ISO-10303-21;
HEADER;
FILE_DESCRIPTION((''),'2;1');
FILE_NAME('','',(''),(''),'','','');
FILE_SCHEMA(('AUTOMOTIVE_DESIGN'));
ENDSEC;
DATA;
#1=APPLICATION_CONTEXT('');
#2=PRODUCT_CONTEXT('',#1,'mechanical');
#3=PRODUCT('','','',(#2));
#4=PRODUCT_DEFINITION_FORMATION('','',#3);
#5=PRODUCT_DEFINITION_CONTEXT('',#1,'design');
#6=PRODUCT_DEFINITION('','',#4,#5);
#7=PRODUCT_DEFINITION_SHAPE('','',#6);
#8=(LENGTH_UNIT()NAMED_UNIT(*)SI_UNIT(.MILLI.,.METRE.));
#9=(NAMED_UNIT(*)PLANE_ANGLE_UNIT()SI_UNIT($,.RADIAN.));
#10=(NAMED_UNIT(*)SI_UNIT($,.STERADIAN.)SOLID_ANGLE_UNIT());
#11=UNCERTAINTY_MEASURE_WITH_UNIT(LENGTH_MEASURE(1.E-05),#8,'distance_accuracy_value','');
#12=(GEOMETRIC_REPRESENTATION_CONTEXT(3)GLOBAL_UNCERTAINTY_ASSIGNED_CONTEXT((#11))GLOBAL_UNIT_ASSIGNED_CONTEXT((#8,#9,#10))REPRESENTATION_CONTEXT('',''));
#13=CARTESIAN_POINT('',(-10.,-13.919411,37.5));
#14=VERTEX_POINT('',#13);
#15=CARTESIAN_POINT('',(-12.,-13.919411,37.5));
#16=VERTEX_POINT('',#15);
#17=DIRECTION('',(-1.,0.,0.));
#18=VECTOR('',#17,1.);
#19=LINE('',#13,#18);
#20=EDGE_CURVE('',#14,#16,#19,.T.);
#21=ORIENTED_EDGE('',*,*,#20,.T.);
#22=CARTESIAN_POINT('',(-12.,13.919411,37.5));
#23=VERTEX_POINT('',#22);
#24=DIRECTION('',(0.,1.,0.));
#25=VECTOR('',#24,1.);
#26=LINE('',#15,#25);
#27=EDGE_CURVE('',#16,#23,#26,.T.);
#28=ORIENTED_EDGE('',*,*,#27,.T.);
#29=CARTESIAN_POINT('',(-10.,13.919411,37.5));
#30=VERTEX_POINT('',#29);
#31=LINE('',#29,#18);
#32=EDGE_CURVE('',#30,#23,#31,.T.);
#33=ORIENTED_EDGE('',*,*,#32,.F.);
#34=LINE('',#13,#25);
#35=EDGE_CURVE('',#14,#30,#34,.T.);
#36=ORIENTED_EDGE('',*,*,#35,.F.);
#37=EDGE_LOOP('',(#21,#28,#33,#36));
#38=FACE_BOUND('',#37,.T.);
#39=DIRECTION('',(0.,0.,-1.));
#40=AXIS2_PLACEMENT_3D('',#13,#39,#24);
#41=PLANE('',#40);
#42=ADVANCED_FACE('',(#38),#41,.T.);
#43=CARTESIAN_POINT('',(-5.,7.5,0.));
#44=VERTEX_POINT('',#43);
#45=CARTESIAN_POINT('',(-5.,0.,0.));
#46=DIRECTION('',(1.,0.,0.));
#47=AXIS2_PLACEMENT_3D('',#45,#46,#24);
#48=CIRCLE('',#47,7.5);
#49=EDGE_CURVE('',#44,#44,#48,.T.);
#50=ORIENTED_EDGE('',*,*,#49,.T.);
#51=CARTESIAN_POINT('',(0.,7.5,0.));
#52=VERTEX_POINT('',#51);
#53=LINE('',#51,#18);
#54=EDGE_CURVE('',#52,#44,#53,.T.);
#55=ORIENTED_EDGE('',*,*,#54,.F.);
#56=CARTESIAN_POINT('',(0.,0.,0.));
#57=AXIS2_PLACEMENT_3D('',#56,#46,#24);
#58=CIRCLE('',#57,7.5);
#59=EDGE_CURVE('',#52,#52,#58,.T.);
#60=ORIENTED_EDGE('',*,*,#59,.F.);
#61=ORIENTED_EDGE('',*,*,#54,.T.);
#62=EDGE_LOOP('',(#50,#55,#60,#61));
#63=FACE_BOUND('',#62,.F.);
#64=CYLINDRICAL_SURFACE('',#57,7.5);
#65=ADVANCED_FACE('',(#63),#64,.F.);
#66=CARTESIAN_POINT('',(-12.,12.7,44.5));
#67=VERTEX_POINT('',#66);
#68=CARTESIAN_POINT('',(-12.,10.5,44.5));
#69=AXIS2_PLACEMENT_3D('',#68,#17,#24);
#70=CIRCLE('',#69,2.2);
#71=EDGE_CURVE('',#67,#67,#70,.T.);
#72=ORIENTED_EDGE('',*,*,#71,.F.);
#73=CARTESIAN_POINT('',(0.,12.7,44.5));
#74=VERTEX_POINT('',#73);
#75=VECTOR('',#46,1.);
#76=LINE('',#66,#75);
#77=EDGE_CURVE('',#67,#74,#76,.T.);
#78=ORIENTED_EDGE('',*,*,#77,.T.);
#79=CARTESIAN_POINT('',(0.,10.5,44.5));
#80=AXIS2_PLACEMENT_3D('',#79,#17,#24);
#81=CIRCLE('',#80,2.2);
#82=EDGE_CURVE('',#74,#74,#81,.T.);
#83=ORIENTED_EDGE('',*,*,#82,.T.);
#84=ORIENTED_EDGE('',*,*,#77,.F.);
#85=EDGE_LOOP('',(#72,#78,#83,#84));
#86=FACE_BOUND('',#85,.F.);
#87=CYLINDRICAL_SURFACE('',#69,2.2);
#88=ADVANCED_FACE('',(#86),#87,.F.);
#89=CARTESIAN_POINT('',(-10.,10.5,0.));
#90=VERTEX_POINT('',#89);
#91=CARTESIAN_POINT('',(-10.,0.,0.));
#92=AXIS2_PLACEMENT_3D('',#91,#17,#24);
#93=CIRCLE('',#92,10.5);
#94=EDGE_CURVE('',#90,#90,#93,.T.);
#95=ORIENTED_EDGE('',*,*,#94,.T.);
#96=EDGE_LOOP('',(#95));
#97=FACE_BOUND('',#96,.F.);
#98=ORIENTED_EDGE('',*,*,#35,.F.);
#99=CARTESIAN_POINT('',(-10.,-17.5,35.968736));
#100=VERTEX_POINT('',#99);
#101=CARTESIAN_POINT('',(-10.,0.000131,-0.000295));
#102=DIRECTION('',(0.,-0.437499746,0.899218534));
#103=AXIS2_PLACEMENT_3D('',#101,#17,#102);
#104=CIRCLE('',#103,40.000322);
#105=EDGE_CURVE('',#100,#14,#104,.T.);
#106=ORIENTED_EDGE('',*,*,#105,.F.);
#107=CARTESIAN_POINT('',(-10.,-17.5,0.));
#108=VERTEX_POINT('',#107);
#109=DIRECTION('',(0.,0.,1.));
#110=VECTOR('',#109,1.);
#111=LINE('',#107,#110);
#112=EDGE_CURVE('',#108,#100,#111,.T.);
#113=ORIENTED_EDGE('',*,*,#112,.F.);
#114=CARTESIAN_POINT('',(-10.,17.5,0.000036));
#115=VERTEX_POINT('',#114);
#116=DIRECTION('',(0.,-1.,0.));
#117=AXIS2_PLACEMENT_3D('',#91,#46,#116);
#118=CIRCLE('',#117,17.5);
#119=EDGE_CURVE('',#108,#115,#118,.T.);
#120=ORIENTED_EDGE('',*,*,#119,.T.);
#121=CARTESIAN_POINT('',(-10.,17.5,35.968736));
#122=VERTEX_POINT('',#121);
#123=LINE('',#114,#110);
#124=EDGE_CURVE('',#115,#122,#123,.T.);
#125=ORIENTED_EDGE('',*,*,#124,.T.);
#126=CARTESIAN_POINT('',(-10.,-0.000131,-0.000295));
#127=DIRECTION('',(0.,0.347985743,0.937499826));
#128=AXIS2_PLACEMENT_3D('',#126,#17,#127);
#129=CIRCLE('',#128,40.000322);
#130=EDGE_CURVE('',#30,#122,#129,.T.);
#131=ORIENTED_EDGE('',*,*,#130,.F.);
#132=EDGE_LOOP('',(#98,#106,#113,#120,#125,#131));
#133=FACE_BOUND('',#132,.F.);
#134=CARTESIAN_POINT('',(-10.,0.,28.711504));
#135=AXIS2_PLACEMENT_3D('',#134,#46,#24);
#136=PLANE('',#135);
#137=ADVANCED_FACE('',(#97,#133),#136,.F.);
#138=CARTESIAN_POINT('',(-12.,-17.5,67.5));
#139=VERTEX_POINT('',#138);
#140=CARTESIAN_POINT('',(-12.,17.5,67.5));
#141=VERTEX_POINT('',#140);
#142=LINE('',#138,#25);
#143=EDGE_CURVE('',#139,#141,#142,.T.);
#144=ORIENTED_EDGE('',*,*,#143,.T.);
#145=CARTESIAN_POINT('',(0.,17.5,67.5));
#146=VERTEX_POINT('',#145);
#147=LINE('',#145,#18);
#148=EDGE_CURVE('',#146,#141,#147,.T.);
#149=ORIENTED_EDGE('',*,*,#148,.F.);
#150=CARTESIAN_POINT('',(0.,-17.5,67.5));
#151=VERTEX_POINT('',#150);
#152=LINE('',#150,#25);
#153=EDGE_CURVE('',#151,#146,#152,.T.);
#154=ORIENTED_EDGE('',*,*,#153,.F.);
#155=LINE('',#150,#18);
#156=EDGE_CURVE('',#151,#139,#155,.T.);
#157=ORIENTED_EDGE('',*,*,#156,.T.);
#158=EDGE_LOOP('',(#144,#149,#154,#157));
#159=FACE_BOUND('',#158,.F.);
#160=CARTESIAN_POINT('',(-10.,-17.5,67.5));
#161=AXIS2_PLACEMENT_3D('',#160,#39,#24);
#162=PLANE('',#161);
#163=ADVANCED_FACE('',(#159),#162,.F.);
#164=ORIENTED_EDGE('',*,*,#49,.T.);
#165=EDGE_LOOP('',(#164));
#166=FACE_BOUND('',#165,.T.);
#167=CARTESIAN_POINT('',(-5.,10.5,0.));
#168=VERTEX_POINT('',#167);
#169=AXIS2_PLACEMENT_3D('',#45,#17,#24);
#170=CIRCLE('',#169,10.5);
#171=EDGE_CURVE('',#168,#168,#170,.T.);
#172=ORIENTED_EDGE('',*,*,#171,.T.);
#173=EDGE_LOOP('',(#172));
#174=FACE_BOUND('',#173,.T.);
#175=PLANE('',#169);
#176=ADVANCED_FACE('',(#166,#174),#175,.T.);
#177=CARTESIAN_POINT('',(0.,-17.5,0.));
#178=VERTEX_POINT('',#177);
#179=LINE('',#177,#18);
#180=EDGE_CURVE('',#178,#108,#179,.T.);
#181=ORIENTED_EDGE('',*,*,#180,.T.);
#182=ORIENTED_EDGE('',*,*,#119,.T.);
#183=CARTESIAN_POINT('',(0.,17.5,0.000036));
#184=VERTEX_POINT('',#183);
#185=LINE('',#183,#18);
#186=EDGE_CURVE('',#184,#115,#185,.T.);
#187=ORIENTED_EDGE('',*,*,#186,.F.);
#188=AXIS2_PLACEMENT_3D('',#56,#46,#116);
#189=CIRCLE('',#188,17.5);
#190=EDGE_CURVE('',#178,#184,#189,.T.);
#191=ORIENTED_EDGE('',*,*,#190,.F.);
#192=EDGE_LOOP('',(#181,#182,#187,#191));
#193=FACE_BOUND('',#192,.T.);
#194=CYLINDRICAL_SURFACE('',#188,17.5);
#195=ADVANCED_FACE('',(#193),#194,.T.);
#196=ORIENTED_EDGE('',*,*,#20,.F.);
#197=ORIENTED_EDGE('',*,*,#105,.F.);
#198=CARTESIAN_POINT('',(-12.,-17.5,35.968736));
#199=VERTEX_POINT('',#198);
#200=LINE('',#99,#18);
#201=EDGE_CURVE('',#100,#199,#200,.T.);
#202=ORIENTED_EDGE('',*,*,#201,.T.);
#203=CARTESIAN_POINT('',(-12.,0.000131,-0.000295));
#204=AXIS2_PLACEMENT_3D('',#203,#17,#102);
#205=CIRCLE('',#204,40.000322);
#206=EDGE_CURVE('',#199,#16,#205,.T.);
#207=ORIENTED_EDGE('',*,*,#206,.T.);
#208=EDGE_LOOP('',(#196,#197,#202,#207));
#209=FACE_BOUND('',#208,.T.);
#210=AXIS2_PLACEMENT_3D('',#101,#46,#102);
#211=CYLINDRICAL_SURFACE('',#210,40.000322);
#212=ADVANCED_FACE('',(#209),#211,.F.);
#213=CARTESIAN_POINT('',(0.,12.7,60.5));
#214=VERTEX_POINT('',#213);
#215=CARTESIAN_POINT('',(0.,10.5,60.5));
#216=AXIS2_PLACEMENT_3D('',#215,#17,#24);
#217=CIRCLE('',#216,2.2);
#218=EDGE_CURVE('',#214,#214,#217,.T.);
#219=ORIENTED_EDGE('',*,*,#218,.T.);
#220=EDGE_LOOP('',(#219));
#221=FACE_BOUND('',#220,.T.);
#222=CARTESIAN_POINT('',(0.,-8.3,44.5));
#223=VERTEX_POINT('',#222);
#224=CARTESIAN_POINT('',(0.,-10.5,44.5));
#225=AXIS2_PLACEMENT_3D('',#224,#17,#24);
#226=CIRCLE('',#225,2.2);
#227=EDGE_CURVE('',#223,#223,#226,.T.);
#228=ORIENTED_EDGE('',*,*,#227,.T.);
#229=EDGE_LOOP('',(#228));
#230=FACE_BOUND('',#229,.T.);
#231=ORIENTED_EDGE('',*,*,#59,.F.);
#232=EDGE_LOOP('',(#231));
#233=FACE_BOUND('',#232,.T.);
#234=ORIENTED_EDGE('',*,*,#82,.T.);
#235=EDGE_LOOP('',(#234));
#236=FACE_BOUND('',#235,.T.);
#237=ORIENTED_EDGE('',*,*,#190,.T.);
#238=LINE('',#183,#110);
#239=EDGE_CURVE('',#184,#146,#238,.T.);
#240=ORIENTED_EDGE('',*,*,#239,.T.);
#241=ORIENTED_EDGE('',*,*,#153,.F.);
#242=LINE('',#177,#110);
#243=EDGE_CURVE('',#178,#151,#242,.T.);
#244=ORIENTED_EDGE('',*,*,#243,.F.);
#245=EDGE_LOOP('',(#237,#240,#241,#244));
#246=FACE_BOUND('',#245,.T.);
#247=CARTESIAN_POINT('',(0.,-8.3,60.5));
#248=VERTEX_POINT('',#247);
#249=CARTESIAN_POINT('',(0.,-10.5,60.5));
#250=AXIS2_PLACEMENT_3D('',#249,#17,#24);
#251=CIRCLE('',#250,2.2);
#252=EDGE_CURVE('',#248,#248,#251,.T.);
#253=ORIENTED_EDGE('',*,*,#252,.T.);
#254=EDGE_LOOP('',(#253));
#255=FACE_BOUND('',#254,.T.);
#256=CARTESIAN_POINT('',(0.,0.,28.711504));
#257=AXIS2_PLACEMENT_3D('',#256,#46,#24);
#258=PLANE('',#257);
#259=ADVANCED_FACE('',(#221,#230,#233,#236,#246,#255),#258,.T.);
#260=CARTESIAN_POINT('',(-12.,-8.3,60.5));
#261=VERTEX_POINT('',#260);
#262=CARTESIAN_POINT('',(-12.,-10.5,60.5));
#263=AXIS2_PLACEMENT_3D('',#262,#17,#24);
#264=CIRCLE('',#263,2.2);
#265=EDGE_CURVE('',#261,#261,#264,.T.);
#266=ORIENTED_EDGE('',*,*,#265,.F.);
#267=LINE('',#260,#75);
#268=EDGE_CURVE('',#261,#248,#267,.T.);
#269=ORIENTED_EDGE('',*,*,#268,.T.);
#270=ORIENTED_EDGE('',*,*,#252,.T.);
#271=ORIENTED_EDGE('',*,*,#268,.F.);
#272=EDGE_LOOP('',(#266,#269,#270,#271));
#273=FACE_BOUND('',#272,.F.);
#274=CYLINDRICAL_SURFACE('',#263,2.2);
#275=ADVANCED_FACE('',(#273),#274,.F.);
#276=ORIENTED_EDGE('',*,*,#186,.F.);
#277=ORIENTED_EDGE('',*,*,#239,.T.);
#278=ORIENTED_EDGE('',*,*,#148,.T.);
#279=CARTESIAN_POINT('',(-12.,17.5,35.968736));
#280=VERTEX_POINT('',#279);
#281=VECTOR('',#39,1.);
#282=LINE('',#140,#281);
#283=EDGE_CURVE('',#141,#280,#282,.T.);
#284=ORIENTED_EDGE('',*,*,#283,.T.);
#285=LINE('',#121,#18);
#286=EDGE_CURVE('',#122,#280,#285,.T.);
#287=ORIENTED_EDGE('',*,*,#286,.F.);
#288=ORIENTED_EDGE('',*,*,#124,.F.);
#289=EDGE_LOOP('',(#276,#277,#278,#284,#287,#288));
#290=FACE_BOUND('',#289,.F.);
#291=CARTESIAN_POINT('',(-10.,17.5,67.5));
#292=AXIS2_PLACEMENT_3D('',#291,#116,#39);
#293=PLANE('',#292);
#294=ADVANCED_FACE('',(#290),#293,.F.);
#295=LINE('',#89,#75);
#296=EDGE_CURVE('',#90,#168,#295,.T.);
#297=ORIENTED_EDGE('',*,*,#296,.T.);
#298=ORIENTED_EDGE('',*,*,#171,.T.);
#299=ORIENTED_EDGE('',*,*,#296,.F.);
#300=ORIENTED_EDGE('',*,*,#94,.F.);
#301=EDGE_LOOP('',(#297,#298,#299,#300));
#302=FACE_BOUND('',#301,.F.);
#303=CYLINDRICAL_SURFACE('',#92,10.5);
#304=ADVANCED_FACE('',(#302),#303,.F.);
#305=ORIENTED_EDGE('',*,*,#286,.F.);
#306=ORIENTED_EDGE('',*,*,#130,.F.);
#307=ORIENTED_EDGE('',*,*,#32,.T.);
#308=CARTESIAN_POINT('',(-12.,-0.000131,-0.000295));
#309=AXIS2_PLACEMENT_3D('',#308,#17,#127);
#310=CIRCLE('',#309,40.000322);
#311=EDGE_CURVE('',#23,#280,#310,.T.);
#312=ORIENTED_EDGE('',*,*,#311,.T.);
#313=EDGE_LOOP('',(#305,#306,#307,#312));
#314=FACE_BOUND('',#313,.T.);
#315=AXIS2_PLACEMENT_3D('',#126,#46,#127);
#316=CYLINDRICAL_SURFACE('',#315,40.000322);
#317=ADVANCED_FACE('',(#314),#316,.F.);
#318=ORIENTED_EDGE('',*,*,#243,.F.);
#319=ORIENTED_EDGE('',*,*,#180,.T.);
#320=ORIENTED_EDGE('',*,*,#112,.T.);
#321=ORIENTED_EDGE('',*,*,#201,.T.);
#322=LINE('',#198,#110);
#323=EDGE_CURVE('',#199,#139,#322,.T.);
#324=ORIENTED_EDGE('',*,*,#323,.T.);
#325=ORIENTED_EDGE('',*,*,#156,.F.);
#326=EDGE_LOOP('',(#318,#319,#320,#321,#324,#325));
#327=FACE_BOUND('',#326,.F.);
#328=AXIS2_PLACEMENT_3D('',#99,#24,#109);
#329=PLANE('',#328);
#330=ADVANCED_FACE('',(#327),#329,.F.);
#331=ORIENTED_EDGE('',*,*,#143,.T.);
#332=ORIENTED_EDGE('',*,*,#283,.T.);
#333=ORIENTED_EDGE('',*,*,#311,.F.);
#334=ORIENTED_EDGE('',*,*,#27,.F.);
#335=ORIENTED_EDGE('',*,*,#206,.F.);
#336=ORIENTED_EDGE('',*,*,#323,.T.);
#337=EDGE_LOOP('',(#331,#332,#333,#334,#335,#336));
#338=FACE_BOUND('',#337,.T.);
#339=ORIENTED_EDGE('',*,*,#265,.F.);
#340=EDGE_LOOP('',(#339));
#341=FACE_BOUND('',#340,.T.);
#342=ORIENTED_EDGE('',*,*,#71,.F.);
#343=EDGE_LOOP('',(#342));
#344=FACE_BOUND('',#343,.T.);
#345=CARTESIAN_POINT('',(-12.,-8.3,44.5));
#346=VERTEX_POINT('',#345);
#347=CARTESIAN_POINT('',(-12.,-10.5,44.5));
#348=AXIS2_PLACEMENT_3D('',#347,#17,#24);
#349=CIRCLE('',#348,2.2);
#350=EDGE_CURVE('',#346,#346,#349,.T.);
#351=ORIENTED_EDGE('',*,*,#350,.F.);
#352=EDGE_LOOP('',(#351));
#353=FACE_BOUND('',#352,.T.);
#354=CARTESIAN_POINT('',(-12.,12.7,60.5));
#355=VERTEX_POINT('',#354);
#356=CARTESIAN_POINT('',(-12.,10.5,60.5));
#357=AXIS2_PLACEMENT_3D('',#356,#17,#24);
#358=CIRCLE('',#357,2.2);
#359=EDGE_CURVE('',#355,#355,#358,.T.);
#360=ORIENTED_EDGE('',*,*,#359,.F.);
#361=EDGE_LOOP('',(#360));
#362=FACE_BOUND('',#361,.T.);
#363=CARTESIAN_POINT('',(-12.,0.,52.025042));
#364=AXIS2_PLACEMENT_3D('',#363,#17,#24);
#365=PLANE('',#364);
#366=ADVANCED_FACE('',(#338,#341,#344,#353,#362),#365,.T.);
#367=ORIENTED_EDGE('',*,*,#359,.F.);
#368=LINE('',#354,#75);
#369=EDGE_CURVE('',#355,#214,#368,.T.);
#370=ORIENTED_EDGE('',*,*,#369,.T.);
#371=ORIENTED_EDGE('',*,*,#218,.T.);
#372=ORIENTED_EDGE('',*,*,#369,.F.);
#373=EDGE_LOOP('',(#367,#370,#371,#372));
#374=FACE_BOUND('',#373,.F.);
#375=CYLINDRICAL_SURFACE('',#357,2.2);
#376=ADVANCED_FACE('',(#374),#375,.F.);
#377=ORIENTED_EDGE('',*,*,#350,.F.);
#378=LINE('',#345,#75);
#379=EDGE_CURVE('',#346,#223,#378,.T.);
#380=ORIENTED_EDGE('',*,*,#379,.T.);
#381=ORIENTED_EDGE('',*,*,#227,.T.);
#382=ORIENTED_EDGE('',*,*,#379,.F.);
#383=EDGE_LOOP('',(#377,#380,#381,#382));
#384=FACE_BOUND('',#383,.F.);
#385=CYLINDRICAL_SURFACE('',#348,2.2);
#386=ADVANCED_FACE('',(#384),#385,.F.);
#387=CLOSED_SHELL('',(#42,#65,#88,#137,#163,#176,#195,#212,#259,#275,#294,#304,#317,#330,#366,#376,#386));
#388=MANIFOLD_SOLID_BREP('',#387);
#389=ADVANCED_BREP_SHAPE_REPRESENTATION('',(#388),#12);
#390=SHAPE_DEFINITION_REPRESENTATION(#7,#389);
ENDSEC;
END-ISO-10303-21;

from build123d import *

# Parameters (mm, degrees)
PAD_DEPTH     = 10
SKETCH001_R   = 7.5
HOLE_DEPTH    = 10.001
SKETCH003_R   = 10.5
HOLE002_DEPTH = 5
PAD001_DEPTH  = 2
SKETCH005_R   = 2.2
HOLE003_DEPTH = 12.001


with BuildPart() as part:
    # Sketch → Pad (new body)
    with BuildSketch(Plane.YZ):
        with BuildLine():
            ThreePointArc((-17.5, 0), (1.8e-05, -17.5), (17.5, 3.6e-05))
            Line((17.5, 3.6e-05), (17.5, 67.5))
            Line((-17.5, 67.5), (17.5, 67.5))
            Line((-17.5, 0), (-17.5, 67.5))
        make_face()
    extrude(amount=-PAD_DEPTH)

    # Sketch001 (on Face5 of Pad) → Hole (cut, through all)
    with BuildSketch(Plane.YZ):
        Circle(SKETCH001_R)
    extrude(amount=-HOLE_DEPTH, mode=Mode.SUBTRACT)

    # Sketch003 → Hole002 (cut)
    with BuildSketch(Plane(origin=(-10, 0, 0), x_dir=(0, 1, 0), z_dir=(-1, 0, 0))):
        Circle(SKETCH003_R)
    extrude(amount=-HOLE002_DEPTH, mode=Mode.SUBTRACT)

    # Sketch004 (on Face6 of Pad) → Pad001 (join)
    with BuildSketch(Plane(origin=(-10, 0, 0), x_dir=(0, 1, 0), z_dir=(-1, 0, 0))):
        with BuildLine():
            Line((-17.5, -35.968736), (-17.5, -67.5))
            Line((-17.5, -67.5), (17.5, -67.5))
            Line((17.5, -67.5), (17.5, -35.968736))
            ThreePointArc((13.919411, -37.5), (15.728351, -36.777968), (17.5, -35.968736))
            Line((-13.919411, -37.5), (13.919411, -37.5))
            ThreePointArc((-17.5, -35.968736), (-15.728351, -36.777968), (-13.919411, -37.5))
        make_face()
    extrude(amount=PAD001_DEPTH)

    # Sketch005 (on Face15 of Pad001) → Hole003 (cut, through all)
    with BuildSketch(Plane(origin=(-12, 0, 0), x_dir=(0, 1, 0), z_dir=(-1, 0, 0))):
        with Locations((-10.5, -44.5)):
            Circle(SKETCH005_R)
        with Locations((-10.5, -60.5)):
            Circle(SKETCH005_R)
        with Locations((10.5, -44.5)):
            Circle(SKETCH005_R)
        with Locations((10.5, -60.5)):
            Circle(SKETCH005_R)
    extrude(amount=-HOLE003_DEPTH, mode=Mode.SUBTRACT)


solid = part.part
